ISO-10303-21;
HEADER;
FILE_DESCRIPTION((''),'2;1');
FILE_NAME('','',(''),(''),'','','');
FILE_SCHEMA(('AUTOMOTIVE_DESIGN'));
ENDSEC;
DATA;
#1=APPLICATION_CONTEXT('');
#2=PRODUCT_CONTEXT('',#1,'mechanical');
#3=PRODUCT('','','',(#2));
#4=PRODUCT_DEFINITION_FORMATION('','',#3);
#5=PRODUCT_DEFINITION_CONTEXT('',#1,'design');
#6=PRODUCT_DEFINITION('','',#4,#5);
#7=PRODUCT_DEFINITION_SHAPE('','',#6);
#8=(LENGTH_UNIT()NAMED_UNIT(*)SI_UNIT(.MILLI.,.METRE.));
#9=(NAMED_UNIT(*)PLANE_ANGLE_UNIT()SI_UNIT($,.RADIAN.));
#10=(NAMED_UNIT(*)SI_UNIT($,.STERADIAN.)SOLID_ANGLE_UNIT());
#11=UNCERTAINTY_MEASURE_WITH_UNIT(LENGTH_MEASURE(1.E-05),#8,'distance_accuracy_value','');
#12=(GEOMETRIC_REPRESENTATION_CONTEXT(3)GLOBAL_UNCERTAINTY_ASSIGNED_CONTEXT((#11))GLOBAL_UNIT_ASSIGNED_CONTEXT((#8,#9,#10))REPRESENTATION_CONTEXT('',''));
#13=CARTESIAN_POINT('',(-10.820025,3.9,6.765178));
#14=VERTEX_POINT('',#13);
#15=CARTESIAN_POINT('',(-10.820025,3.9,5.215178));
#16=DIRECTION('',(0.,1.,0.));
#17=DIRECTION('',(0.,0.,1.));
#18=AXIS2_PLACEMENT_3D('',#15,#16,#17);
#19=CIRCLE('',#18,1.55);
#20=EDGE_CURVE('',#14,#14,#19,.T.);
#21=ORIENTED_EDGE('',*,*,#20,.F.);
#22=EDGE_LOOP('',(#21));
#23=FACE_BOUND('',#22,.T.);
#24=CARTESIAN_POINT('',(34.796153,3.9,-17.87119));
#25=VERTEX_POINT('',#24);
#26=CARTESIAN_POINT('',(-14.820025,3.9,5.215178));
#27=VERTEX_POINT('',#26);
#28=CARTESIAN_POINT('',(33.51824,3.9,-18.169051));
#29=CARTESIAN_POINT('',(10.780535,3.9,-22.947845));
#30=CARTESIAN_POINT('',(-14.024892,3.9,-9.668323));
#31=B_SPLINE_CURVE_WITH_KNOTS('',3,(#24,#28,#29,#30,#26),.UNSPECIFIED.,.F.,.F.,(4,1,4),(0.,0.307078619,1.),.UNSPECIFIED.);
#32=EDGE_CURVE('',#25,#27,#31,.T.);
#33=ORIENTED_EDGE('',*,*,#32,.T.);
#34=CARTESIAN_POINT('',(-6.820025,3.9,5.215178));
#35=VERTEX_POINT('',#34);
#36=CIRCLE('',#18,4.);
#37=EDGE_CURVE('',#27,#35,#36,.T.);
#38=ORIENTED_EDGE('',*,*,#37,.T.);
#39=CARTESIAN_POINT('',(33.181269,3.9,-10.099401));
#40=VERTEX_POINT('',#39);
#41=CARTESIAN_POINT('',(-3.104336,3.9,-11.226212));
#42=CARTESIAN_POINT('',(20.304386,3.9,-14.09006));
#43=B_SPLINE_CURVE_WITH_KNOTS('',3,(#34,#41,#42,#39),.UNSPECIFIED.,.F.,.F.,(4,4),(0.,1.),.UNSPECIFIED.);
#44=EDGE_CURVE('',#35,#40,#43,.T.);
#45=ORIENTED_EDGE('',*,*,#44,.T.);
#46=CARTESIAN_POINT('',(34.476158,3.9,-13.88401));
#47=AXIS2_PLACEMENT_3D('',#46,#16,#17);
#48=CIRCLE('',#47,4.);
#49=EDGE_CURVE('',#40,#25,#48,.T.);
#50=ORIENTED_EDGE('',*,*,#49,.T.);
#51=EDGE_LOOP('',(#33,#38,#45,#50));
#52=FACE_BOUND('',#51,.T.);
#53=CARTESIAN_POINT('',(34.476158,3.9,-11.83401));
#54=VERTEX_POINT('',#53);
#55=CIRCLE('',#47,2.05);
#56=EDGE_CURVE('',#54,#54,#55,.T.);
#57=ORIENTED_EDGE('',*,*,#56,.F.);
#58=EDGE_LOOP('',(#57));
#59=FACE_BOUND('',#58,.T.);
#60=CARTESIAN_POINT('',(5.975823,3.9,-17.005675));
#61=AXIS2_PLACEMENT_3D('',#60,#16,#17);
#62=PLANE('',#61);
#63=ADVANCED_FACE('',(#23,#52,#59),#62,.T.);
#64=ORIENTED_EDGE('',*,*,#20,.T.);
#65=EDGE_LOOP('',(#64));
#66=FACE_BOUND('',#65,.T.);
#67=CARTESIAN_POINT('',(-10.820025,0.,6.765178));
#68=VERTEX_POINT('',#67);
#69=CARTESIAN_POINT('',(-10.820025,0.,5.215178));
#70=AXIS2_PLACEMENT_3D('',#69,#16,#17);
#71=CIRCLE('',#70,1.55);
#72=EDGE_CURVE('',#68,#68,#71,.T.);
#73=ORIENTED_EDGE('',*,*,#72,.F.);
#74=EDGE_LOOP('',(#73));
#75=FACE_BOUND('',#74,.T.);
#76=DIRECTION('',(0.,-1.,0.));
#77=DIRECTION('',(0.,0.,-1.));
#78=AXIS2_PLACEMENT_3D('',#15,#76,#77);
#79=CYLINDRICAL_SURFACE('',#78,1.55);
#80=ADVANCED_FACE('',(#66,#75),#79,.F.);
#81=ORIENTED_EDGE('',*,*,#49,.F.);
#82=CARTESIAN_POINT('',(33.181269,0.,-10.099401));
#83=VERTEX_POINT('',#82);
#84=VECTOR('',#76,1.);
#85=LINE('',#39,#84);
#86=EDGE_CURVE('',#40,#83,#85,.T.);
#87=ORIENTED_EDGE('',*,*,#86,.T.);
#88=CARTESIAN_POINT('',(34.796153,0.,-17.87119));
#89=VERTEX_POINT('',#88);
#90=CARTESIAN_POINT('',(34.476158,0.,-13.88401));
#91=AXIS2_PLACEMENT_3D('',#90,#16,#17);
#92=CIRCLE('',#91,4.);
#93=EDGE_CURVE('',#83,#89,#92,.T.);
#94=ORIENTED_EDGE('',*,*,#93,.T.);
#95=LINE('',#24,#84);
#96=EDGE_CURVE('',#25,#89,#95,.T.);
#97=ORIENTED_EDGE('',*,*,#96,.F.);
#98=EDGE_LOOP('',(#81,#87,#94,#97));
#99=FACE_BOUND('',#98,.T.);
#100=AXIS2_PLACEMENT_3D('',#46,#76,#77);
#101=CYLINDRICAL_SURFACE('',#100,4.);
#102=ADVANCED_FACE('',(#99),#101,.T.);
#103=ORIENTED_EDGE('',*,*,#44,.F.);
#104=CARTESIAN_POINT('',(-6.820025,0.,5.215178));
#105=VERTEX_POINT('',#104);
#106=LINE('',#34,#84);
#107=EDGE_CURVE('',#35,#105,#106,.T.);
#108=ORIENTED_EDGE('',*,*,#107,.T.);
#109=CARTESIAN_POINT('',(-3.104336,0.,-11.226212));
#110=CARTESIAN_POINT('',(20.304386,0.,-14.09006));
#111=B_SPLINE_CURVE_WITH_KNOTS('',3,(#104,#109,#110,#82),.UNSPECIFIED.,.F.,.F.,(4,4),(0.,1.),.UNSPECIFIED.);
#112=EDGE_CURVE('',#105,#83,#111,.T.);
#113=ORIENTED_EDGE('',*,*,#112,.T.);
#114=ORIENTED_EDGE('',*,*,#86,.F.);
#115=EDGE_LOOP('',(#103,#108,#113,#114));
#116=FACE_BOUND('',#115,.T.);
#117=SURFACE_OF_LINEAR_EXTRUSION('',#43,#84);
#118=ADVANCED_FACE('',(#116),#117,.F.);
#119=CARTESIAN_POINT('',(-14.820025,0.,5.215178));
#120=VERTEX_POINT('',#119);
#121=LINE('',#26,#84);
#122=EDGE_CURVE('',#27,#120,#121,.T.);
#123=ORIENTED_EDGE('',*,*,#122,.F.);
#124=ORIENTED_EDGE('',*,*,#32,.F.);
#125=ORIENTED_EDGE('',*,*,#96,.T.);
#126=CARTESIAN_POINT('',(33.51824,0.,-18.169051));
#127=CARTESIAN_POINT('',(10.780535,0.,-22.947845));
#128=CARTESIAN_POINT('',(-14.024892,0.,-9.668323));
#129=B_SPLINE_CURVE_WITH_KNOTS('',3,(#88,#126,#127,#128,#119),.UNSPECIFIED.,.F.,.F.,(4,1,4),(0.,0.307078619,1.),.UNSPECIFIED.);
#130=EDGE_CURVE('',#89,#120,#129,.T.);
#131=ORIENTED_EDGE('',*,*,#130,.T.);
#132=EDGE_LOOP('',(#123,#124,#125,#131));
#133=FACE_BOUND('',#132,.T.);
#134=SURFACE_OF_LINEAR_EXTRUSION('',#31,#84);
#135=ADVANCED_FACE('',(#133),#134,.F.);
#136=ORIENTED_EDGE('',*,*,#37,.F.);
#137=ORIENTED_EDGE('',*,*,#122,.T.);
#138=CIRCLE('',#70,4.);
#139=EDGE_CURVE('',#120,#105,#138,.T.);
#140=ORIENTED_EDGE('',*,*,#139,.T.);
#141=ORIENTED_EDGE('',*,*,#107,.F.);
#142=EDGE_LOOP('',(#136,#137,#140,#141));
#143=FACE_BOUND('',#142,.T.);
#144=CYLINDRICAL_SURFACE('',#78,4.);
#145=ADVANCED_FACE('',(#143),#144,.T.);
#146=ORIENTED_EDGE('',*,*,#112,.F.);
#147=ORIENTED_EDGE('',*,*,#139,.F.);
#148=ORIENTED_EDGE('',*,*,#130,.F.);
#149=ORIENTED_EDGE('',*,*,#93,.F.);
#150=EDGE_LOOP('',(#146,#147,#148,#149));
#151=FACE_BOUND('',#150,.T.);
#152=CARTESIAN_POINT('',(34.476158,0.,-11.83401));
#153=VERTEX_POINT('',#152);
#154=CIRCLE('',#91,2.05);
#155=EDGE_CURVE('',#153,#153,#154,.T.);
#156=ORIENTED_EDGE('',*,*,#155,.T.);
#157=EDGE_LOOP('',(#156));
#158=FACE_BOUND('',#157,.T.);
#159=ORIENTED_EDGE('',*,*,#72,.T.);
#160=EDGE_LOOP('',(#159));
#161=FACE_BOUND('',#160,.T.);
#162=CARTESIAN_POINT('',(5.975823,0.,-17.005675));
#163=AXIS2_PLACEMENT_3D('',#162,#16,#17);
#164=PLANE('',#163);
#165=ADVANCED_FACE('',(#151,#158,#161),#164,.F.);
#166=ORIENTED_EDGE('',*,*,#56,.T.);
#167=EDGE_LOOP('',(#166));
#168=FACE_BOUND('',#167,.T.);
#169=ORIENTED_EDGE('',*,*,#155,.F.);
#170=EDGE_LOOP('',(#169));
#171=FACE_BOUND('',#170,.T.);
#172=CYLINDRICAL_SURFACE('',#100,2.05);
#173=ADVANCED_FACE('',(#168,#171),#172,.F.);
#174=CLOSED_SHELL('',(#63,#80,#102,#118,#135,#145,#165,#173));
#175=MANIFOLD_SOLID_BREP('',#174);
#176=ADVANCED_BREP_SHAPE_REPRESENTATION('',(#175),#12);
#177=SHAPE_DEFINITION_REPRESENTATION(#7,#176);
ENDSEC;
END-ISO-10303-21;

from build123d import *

# Parameters (mm, degrees)
SKETCH1_R           = 1.55
SKETCH1_R_2         = 2.05
BOSS_EXTRUDE1_DEPTH = 3.9


with BuildPart() as part:
    # Sketch1 → Boss-Extrude1 (new body)
    with BuildSketch(Plane(origin=(0, 0, 0), x_dir=(1, 0, 0), z_dir=(0, 1, 0))):
        with BuildLine():
            ThreePointArc((-14.820025451, -5.215177733), (-10.820025451, -9.215177733), (-6.820025451, -5.215177733))
            add(Edge.make_bspline(
                [(-6.820025451, -5.215177733), (-3.10433649, 11.226211993), (20.304386061, 14.090059899), (33.181268574, 10.099401317)],
                knots=[0, 0, 0, 0, 1, 1, 1, 1], degree=3))
            ThreePointArc((33.181268574, 10.099401317), (38.392505906, 13.07023944), (34.796153323, 17.871189532))
            add(Edge.make_bspline(
                [(-14.820025451, -5.215177733), (-14.024891934, 9.668323316), (10.780534752, 22.947844535), (33.5182405, 18.169051386), (34.796153323, 17.871189532)],
                knots=[0, 0, 0, 0, 0.692921381, 1, 1, 1, 1], degree=3))
        make_face()
        with Locations((-10.820025451, -5.215177733)):
            Circle(SKETCH1_R, mode=Mode.SUBTRACT)
        with Locations((34.476158372, 13.884009673)):
            Circle(SKETCH1_R_2, mode=Mode.SUBTRACT)
    extrude(amount=BOSS_EXTRUDE1_DEPTH)


solid = part.part
